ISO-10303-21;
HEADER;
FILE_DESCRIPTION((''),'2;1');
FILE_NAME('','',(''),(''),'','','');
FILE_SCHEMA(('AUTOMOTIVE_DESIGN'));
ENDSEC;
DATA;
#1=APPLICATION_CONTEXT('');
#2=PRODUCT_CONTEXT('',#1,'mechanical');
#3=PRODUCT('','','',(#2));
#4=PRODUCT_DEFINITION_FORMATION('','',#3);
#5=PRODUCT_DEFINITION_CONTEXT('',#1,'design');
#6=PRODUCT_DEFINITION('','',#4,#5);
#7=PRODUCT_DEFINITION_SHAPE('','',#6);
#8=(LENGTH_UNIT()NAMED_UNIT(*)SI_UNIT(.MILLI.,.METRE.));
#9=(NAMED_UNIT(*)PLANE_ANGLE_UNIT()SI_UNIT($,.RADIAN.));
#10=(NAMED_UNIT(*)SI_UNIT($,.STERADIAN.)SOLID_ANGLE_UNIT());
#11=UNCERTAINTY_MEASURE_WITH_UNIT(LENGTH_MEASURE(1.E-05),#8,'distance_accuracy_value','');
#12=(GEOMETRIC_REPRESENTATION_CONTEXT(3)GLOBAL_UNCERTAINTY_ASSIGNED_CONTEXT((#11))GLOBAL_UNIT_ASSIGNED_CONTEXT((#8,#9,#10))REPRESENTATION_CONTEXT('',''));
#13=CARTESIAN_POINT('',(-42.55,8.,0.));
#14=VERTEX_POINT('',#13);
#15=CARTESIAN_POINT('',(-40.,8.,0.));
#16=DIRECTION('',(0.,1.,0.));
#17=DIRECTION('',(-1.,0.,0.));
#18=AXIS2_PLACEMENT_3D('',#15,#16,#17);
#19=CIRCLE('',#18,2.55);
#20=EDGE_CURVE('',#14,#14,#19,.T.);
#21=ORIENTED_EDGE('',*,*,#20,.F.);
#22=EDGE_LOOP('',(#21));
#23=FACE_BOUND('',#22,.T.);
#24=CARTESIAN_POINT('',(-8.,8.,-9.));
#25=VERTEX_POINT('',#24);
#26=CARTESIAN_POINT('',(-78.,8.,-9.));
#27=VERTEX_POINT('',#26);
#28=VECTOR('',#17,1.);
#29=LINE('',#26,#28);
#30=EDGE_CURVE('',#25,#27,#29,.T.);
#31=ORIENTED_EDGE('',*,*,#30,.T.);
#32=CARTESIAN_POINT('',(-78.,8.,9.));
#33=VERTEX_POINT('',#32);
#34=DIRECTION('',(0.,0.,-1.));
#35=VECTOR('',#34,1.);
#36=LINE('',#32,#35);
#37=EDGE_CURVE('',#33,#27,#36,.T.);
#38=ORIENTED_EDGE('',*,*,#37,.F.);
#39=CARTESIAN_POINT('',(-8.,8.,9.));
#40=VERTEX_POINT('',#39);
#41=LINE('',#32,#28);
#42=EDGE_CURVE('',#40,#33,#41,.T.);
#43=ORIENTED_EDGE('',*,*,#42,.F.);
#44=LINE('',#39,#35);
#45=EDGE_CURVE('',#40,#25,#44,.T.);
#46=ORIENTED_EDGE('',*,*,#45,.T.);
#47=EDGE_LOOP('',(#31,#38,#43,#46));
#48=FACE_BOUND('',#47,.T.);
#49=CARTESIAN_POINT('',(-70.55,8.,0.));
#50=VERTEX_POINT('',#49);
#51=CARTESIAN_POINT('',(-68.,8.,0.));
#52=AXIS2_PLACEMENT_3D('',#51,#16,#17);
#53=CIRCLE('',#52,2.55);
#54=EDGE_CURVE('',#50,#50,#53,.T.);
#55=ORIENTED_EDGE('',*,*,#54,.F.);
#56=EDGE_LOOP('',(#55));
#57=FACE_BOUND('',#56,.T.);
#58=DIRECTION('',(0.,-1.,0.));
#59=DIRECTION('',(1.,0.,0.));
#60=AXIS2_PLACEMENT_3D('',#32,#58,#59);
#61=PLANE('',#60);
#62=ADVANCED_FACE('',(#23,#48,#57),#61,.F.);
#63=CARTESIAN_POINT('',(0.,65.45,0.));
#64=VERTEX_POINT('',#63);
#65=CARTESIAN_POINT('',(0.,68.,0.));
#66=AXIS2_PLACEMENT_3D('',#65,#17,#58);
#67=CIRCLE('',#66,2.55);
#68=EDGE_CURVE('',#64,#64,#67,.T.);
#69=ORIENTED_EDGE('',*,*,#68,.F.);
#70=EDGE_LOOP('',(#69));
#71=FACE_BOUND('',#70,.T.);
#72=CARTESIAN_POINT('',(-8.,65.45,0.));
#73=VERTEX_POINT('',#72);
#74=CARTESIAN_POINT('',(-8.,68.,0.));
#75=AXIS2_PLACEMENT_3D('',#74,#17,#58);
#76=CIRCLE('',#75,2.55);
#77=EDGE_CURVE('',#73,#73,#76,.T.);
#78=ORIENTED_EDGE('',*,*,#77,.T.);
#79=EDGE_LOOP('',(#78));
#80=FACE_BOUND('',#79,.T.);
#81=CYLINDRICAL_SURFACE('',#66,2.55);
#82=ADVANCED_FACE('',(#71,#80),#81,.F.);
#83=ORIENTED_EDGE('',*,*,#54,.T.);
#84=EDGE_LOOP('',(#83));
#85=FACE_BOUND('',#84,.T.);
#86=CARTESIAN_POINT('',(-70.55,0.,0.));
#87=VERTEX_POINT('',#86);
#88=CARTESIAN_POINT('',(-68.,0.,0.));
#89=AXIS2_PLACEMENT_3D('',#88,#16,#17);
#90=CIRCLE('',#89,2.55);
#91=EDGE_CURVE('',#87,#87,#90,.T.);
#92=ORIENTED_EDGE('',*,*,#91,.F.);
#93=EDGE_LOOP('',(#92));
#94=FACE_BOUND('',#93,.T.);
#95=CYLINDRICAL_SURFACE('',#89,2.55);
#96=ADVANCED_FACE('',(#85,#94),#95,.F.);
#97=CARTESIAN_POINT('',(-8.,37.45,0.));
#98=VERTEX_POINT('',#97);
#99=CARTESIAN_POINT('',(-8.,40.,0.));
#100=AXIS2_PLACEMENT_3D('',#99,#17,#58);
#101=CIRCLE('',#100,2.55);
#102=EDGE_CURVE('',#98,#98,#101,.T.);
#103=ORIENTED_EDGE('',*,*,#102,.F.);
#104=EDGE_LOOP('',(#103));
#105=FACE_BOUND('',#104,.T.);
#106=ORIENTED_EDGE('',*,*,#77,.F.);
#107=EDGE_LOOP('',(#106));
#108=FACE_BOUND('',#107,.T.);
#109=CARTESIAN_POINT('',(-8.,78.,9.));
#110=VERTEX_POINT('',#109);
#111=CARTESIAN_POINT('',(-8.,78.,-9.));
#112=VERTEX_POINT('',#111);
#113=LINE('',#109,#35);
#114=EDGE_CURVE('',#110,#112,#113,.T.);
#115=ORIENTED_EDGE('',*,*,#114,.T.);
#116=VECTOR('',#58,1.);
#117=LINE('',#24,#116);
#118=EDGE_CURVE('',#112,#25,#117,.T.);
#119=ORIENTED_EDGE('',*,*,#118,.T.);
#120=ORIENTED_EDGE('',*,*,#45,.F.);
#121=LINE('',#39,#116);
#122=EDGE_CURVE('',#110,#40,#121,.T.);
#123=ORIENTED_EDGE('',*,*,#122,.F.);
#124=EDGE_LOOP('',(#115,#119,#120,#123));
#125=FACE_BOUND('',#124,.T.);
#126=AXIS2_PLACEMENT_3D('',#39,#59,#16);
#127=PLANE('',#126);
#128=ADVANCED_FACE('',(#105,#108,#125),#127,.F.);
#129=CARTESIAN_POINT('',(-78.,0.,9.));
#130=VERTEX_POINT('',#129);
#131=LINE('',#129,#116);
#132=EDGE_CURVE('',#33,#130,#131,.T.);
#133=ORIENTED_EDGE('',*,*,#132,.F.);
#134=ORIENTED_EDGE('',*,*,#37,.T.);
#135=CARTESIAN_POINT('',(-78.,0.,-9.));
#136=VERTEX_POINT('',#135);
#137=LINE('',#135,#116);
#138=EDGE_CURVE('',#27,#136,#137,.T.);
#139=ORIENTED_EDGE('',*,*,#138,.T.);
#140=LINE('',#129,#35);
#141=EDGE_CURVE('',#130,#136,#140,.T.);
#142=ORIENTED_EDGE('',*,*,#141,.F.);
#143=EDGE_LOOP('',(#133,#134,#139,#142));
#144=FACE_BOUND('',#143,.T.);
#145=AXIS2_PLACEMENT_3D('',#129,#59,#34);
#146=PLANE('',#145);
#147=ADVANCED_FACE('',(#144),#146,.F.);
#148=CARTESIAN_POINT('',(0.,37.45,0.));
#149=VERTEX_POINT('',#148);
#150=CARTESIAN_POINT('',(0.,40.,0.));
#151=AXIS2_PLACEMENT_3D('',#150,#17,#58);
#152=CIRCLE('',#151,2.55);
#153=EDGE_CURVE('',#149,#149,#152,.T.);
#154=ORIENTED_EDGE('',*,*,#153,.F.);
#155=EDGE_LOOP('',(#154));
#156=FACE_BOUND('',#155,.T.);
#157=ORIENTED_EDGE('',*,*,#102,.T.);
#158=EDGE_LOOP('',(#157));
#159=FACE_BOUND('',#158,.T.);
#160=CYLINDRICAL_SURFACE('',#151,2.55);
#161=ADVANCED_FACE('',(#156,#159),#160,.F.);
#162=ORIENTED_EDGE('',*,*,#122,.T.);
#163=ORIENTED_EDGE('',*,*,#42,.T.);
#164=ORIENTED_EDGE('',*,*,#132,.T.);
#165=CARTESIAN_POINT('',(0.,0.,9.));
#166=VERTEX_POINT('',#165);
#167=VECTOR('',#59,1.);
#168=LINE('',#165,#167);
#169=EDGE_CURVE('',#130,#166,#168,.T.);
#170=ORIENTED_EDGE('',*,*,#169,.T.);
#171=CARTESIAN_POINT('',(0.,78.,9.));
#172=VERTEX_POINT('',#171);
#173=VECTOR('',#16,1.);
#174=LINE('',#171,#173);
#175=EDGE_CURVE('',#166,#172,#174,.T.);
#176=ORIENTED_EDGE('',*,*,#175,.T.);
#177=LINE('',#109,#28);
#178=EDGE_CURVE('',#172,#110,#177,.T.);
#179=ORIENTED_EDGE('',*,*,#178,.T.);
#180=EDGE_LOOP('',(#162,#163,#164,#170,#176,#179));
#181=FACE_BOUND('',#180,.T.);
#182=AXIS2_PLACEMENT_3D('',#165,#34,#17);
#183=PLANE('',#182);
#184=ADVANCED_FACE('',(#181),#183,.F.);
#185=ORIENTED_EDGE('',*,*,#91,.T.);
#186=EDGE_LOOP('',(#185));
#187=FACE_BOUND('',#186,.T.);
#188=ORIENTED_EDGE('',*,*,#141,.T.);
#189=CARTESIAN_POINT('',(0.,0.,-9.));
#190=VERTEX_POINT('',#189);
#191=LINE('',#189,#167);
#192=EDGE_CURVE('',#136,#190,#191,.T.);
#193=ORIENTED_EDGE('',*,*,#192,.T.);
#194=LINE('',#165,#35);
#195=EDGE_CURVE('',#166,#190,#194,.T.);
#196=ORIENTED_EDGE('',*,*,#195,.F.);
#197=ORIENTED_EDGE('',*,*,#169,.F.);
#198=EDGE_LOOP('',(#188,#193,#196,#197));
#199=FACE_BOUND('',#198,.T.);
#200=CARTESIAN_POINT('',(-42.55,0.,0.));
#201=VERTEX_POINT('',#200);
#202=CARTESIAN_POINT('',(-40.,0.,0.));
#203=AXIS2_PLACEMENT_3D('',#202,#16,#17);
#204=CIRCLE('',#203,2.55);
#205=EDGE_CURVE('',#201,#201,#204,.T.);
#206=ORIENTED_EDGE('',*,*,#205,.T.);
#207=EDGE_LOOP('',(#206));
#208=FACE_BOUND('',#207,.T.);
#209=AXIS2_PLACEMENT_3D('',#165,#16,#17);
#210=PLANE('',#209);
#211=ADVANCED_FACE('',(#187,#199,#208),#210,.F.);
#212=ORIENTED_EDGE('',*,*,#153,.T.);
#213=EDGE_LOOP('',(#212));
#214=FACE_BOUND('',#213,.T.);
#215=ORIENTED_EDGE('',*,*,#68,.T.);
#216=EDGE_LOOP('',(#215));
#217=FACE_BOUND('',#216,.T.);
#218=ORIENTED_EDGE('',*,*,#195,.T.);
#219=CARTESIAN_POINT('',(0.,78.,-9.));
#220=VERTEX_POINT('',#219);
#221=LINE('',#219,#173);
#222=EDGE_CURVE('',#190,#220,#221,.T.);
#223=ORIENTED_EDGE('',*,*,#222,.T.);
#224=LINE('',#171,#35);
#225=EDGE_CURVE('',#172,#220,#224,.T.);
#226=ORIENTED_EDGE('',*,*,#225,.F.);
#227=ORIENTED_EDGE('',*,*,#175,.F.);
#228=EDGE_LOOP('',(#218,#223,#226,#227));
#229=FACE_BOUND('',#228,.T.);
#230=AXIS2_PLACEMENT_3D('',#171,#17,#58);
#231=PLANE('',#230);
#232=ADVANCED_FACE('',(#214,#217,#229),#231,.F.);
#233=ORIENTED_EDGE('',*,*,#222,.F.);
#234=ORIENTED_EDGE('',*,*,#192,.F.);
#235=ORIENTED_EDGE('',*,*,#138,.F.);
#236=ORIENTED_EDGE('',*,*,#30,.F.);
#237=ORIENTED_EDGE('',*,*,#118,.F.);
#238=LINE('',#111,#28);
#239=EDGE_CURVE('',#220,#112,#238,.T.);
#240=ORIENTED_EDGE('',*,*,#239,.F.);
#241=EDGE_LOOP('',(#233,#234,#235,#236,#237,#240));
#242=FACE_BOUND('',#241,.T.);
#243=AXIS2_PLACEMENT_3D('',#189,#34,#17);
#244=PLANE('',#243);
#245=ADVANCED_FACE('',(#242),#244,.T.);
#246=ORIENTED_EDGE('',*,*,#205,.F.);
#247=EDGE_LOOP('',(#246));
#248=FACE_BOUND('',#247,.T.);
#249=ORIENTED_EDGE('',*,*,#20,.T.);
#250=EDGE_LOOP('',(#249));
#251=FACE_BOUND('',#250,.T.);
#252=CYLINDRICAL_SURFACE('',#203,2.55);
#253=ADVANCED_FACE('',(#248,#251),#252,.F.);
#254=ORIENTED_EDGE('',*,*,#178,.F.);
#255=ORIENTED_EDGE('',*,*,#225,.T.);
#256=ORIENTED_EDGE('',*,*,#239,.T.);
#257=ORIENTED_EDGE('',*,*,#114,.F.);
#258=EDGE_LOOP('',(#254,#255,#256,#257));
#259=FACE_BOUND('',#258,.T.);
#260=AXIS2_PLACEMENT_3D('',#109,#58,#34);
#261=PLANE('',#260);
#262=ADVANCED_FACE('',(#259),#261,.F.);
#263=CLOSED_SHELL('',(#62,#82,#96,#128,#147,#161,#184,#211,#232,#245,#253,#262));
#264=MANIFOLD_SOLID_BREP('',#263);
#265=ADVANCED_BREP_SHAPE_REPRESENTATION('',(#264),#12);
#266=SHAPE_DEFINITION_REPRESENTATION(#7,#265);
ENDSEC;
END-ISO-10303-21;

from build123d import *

# Parameters (mm, degrees)
EXTRUDE_1_DEPTH     = 9
SKETCH_2_R          = 2.55
CUT_EXTRUDE_1_DEPTH = 106.190303736
SKETCH_3_R          = 2.55
CUT_EXTRUDE_2_DEPTH = 106.190303736


with BuildPart() as part:
    # 草图1 → 凸台-拉伸1 (new, symmetric)
    with BuildSketch(Plane.XY):
        Polygon((0, 78), (0, 0), (-78, 0), (-78, 8), (-8, 8), (-8, 78), align=None)
    extrude(amount=EXTRUDE_1_DEPTH, both=True)

    # 草图2 → 切除-拉伸1 (cut, through all)
    with BuildSketch(Plane(origin=(0, 8, 0), x_dir=(1, 0, 0), z_dir=(0, 1, 0))):
        with Locations(Location((-68, 0, 0), (0, 0, 180))):
            Circle(SKETCH_2_R)
        with Locations(Location((-40, 0, 0), (0, 0, 180))):
            Circle(SKETCH_2_R)
    extrude(amount=-CUT_EXTRUDE_1_DEPTH, mode=Mode.SUBTRACT)

    # 草图3 → 切除-拉伸2 (cut, through all)
    with BuildSketch(Plane.ZY.offset(8)):
        with Locations(Location((0, 40, 0), (0, 0, 270))):
            Circle(SKETCH_3_R)
        with Locations(Location((0, 68, 0), (0, 0, 270))):
            Circle(SKETCH_3_R)
    extrude(amount=-CUT_EXTRUDE_2_DEPTH, mode=Mode.SUBTRACT)


solid = part.part
